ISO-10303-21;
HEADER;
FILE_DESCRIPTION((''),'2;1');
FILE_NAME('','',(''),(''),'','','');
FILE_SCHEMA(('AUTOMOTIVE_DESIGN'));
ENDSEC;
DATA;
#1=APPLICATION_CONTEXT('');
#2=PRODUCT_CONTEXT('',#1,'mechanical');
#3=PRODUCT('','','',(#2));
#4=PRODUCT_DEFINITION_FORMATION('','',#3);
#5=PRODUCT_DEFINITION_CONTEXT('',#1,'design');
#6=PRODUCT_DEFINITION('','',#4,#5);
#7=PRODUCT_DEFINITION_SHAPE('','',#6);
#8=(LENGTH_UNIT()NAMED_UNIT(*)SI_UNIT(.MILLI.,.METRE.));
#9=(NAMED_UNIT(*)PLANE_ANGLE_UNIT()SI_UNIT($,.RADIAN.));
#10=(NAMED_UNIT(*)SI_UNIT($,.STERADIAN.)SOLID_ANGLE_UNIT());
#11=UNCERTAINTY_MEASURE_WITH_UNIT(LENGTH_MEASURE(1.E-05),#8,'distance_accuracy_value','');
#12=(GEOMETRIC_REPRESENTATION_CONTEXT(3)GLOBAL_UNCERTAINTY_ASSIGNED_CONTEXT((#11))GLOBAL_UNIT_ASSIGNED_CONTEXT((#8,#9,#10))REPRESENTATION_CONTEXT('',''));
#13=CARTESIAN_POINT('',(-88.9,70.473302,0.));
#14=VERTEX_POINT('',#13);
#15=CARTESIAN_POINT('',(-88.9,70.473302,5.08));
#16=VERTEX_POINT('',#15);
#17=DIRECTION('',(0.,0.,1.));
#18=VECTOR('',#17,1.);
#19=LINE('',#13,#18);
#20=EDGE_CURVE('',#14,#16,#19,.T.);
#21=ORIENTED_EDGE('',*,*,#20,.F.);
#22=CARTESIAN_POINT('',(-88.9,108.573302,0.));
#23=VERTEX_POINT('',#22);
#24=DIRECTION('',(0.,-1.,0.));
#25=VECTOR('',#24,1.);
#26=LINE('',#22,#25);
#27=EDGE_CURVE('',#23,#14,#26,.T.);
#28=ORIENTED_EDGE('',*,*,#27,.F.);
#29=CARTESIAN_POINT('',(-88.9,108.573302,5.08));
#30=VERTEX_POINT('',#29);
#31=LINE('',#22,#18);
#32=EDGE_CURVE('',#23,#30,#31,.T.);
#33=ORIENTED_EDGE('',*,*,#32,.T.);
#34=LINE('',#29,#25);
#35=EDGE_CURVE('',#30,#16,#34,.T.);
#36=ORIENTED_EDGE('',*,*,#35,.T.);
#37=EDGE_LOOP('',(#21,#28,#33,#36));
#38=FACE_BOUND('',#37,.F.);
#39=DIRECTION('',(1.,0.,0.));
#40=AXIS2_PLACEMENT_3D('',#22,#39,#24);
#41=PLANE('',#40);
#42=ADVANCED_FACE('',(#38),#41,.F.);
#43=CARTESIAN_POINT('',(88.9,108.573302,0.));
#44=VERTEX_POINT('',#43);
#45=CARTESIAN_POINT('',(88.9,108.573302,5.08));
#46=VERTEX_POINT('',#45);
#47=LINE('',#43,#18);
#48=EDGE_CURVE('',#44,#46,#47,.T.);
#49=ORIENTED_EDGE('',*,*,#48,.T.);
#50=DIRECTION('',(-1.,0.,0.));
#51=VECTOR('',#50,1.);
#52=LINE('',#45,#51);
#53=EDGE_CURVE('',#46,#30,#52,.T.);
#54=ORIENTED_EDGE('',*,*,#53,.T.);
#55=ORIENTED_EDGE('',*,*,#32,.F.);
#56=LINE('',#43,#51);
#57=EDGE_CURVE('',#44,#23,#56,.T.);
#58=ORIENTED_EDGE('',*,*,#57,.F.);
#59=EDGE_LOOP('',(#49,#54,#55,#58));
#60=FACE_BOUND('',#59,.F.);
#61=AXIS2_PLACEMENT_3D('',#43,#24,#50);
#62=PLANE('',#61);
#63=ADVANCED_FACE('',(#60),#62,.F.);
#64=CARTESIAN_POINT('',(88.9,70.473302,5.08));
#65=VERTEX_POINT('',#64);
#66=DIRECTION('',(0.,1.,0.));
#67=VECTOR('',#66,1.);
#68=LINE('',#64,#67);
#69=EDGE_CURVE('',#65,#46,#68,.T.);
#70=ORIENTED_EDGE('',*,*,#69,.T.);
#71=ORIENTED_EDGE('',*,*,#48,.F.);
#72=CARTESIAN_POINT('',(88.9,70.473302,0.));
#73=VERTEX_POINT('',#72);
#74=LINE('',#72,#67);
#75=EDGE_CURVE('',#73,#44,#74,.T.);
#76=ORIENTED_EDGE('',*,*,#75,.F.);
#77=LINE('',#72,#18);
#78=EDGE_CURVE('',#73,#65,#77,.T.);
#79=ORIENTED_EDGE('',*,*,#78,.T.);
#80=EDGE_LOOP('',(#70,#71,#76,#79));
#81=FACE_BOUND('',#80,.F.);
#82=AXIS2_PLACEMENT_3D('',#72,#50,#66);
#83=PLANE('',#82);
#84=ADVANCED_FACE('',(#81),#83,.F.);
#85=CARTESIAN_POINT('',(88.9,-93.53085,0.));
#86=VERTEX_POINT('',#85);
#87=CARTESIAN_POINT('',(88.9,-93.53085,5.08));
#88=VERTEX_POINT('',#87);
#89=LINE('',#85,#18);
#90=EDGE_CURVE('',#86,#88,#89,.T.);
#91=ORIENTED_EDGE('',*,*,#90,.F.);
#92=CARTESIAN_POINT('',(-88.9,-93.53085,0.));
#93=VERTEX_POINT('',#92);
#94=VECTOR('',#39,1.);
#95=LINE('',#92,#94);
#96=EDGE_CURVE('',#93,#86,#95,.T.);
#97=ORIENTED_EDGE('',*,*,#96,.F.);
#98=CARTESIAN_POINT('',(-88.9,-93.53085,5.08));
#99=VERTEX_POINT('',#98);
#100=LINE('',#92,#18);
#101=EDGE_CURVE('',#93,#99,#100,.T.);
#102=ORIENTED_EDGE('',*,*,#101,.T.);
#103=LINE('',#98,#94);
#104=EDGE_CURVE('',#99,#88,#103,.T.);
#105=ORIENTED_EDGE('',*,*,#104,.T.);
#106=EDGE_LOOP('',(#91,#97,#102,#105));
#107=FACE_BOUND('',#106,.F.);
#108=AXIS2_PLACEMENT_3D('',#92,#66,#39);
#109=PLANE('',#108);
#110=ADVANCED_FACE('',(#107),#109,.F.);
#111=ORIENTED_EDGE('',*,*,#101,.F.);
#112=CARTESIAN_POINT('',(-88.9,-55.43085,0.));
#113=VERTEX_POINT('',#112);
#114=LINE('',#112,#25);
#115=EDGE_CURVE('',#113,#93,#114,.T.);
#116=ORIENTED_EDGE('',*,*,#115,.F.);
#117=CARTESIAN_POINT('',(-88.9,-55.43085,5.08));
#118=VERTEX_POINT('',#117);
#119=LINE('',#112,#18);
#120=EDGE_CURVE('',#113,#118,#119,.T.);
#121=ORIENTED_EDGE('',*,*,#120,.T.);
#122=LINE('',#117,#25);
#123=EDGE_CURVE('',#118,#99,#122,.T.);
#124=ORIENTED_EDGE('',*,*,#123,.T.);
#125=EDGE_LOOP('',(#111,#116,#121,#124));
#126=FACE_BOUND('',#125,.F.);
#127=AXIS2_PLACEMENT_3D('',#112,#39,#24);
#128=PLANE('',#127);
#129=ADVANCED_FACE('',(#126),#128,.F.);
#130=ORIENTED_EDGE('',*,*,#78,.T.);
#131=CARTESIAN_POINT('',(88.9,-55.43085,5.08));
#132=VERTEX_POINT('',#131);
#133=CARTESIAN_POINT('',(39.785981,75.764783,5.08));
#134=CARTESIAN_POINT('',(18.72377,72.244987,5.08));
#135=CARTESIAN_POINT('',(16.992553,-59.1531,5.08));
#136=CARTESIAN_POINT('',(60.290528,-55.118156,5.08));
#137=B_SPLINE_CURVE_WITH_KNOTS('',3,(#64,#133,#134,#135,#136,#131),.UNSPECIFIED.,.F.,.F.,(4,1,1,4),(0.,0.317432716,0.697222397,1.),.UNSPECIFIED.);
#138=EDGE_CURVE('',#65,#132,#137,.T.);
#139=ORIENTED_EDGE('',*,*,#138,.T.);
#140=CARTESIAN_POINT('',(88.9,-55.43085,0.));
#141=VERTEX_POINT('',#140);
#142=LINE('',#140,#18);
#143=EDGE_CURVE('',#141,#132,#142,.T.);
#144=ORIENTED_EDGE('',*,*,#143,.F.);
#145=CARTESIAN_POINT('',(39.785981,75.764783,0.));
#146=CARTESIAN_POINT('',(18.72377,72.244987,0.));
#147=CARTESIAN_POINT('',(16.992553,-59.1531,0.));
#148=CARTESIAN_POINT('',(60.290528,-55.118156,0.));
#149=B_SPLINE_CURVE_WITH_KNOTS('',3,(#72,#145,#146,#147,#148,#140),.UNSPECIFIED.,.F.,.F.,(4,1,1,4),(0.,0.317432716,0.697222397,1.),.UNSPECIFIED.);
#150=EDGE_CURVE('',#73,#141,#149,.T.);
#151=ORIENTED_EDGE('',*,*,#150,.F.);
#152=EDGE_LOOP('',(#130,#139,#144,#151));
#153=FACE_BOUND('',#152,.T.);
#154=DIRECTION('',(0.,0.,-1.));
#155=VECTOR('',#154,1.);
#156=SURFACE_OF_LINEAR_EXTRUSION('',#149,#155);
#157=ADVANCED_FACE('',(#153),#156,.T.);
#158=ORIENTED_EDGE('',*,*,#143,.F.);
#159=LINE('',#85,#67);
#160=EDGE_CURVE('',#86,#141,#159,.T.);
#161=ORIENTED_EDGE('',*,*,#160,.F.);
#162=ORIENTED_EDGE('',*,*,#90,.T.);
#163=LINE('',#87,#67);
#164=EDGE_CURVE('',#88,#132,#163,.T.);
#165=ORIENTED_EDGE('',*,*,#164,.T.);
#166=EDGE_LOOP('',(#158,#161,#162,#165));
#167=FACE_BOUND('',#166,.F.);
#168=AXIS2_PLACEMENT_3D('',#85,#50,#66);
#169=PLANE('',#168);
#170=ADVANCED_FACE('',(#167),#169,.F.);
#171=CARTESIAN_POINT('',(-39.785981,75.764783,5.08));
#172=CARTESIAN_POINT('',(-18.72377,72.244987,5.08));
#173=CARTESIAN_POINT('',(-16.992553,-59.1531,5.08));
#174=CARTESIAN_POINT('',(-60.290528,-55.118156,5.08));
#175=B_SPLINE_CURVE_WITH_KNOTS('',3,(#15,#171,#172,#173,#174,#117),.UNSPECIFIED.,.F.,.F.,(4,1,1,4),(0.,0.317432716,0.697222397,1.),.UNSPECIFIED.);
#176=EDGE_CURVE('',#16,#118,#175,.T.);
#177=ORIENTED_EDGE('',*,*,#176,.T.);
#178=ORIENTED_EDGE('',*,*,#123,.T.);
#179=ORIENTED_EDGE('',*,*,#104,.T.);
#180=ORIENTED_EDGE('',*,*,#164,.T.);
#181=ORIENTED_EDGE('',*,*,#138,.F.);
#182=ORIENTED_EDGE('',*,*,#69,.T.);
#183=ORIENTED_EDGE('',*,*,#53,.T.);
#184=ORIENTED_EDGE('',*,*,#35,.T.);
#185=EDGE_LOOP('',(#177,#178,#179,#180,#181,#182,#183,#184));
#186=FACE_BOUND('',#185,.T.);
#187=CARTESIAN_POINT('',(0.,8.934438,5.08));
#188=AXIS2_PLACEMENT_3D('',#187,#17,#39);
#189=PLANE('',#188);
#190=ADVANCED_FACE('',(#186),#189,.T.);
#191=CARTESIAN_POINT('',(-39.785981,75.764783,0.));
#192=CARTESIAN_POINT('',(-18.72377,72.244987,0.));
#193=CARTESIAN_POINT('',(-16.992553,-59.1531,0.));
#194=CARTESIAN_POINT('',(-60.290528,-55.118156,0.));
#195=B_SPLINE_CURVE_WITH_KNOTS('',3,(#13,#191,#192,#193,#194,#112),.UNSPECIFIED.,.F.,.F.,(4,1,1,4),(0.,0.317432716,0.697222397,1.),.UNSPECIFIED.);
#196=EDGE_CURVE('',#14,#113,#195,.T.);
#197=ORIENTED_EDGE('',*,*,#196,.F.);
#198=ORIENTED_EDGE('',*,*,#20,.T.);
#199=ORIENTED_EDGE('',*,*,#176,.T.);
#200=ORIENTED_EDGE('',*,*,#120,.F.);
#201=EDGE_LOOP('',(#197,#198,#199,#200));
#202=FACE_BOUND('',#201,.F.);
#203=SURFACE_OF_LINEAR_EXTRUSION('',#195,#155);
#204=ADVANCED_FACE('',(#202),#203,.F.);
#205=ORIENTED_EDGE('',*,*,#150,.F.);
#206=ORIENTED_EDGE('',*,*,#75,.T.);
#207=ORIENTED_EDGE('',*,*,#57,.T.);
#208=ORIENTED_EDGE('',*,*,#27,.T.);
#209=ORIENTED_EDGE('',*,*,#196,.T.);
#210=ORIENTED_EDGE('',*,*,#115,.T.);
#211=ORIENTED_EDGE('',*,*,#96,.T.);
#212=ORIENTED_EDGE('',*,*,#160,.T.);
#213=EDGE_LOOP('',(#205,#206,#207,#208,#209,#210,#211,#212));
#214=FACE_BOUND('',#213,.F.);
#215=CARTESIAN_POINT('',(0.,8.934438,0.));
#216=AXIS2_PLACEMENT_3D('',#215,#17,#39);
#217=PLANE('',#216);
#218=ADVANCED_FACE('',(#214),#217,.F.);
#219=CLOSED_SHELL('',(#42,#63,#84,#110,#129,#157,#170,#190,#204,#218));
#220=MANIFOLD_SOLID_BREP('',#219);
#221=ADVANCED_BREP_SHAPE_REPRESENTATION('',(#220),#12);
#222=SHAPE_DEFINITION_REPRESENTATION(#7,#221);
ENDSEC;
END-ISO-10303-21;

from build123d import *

# Parameters (mm, degrees)
F1_DEPTH = 5.08


with BuildPart() as f1:
    # F0 (on Top) → F1 (new body)
    with BuildSketch(Plane.XY):
        with BuildLine():
            Line((88.9, 108.5733023011), (0, 108.5733023011))
            Line((0, 108.5733023011), (-88.9, 108.5733023011))
            Line((-88.9, 108.5733023011), (-88.9, 70.4733023011))
            add(Edge.make_bspline(
                [(-88.9, 70.4733023011), (-39.7859811783, 75.7647827268), (-18.7237696616, 72.2449871634), (-16.9925534559, -59.153100334), (-60.2905284901, -55.11815589), (-88.9, -55.4308500103)],
                knots=[0, 0, 0, 0, 0.3174327164, 0.6972223968, 1, 1, 1, 1], degree=3))
            Line((-88.9, -55.4308500103), (-88.9, -93.5308500103))
            Line((-88.9, -93.5308500103), (0, -93.5308500103))
            Line((0, -93.5308500103), (88.9, -93.5308500103))
            Line((88.9, -93.5308500103), (88.9, -55.4308500103))
            add(Edge.make_bspline(
                [(88.9, 70.4733023011), (39.7859811783, 75.7647827268), (18.7237696616, 72.2449871634), (16.9925534559, -59.153100334), (60.2905284901, -55.11815589), (88.9, -55.4308500103)],
                knots=[0, 0, 0, 0, 0.3174327164, 0.6972223968, 1, 1, 1, 1], degree=3))
            Line((88.9, 70.4733023011), (88.9, 108.5733023011))
        make_face()
    extrude(amount=F1_DEPTH)


solid = f1.part
